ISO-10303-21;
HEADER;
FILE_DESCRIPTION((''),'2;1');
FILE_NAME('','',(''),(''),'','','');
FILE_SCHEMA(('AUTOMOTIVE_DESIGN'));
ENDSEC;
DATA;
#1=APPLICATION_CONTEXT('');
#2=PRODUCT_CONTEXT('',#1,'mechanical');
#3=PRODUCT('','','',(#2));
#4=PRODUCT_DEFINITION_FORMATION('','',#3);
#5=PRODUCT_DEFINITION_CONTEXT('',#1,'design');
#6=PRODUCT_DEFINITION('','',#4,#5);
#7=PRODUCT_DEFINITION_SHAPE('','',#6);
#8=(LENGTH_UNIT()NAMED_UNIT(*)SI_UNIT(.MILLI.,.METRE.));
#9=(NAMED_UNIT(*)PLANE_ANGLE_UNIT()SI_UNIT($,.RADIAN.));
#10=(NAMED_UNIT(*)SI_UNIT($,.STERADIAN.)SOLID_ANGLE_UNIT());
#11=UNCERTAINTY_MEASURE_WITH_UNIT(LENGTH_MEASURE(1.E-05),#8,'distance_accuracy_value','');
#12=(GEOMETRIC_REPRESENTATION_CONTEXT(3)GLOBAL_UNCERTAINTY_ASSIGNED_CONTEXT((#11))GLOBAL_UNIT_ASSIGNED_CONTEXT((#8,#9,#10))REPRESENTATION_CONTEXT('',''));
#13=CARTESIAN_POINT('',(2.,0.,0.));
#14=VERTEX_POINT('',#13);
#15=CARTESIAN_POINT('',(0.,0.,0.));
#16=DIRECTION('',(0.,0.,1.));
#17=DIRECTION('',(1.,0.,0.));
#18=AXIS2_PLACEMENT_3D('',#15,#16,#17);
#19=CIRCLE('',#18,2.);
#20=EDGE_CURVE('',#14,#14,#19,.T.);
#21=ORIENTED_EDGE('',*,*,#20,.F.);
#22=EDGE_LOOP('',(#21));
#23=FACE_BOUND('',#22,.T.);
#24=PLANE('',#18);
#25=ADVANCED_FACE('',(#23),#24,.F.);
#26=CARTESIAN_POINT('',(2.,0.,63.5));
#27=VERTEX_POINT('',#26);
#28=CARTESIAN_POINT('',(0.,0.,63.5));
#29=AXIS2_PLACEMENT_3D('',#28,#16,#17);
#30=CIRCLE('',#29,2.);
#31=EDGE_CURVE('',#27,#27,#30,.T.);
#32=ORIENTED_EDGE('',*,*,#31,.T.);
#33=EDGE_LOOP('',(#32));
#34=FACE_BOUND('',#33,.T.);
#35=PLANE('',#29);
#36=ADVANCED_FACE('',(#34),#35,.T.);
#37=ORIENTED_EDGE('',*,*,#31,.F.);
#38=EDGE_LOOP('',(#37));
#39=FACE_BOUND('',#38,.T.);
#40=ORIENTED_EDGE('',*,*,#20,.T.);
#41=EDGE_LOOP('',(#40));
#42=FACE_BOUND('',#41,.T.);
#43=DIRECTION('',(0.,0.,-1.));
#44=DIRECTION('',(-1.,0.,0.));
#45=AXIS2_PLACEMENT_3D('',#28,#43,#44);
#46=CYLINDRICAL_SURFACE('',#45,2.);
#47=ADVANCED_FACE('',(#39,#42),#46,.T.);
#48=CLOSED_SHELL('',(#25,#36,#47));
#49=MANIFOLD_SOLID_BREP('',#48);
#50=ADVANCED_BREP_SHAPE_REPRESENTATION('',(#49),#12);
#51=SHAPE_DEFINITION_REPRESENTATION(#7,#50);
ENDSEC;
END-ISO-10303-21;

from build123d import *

# Parameters (mm, degrees)
SKETCH1_R           = 2
BOSS_EXTRUDE1_DEPTH = 63.5


with BuildPart() as part:
    # Sketch1 → Boss-Extrude1 (new body)
    with BuildSketch(Plane.XY):
        Circle(SKETCH1_R)
    extrude(amount=BOSS_EXTRUDE1_DEPTH)


solid = part.part
